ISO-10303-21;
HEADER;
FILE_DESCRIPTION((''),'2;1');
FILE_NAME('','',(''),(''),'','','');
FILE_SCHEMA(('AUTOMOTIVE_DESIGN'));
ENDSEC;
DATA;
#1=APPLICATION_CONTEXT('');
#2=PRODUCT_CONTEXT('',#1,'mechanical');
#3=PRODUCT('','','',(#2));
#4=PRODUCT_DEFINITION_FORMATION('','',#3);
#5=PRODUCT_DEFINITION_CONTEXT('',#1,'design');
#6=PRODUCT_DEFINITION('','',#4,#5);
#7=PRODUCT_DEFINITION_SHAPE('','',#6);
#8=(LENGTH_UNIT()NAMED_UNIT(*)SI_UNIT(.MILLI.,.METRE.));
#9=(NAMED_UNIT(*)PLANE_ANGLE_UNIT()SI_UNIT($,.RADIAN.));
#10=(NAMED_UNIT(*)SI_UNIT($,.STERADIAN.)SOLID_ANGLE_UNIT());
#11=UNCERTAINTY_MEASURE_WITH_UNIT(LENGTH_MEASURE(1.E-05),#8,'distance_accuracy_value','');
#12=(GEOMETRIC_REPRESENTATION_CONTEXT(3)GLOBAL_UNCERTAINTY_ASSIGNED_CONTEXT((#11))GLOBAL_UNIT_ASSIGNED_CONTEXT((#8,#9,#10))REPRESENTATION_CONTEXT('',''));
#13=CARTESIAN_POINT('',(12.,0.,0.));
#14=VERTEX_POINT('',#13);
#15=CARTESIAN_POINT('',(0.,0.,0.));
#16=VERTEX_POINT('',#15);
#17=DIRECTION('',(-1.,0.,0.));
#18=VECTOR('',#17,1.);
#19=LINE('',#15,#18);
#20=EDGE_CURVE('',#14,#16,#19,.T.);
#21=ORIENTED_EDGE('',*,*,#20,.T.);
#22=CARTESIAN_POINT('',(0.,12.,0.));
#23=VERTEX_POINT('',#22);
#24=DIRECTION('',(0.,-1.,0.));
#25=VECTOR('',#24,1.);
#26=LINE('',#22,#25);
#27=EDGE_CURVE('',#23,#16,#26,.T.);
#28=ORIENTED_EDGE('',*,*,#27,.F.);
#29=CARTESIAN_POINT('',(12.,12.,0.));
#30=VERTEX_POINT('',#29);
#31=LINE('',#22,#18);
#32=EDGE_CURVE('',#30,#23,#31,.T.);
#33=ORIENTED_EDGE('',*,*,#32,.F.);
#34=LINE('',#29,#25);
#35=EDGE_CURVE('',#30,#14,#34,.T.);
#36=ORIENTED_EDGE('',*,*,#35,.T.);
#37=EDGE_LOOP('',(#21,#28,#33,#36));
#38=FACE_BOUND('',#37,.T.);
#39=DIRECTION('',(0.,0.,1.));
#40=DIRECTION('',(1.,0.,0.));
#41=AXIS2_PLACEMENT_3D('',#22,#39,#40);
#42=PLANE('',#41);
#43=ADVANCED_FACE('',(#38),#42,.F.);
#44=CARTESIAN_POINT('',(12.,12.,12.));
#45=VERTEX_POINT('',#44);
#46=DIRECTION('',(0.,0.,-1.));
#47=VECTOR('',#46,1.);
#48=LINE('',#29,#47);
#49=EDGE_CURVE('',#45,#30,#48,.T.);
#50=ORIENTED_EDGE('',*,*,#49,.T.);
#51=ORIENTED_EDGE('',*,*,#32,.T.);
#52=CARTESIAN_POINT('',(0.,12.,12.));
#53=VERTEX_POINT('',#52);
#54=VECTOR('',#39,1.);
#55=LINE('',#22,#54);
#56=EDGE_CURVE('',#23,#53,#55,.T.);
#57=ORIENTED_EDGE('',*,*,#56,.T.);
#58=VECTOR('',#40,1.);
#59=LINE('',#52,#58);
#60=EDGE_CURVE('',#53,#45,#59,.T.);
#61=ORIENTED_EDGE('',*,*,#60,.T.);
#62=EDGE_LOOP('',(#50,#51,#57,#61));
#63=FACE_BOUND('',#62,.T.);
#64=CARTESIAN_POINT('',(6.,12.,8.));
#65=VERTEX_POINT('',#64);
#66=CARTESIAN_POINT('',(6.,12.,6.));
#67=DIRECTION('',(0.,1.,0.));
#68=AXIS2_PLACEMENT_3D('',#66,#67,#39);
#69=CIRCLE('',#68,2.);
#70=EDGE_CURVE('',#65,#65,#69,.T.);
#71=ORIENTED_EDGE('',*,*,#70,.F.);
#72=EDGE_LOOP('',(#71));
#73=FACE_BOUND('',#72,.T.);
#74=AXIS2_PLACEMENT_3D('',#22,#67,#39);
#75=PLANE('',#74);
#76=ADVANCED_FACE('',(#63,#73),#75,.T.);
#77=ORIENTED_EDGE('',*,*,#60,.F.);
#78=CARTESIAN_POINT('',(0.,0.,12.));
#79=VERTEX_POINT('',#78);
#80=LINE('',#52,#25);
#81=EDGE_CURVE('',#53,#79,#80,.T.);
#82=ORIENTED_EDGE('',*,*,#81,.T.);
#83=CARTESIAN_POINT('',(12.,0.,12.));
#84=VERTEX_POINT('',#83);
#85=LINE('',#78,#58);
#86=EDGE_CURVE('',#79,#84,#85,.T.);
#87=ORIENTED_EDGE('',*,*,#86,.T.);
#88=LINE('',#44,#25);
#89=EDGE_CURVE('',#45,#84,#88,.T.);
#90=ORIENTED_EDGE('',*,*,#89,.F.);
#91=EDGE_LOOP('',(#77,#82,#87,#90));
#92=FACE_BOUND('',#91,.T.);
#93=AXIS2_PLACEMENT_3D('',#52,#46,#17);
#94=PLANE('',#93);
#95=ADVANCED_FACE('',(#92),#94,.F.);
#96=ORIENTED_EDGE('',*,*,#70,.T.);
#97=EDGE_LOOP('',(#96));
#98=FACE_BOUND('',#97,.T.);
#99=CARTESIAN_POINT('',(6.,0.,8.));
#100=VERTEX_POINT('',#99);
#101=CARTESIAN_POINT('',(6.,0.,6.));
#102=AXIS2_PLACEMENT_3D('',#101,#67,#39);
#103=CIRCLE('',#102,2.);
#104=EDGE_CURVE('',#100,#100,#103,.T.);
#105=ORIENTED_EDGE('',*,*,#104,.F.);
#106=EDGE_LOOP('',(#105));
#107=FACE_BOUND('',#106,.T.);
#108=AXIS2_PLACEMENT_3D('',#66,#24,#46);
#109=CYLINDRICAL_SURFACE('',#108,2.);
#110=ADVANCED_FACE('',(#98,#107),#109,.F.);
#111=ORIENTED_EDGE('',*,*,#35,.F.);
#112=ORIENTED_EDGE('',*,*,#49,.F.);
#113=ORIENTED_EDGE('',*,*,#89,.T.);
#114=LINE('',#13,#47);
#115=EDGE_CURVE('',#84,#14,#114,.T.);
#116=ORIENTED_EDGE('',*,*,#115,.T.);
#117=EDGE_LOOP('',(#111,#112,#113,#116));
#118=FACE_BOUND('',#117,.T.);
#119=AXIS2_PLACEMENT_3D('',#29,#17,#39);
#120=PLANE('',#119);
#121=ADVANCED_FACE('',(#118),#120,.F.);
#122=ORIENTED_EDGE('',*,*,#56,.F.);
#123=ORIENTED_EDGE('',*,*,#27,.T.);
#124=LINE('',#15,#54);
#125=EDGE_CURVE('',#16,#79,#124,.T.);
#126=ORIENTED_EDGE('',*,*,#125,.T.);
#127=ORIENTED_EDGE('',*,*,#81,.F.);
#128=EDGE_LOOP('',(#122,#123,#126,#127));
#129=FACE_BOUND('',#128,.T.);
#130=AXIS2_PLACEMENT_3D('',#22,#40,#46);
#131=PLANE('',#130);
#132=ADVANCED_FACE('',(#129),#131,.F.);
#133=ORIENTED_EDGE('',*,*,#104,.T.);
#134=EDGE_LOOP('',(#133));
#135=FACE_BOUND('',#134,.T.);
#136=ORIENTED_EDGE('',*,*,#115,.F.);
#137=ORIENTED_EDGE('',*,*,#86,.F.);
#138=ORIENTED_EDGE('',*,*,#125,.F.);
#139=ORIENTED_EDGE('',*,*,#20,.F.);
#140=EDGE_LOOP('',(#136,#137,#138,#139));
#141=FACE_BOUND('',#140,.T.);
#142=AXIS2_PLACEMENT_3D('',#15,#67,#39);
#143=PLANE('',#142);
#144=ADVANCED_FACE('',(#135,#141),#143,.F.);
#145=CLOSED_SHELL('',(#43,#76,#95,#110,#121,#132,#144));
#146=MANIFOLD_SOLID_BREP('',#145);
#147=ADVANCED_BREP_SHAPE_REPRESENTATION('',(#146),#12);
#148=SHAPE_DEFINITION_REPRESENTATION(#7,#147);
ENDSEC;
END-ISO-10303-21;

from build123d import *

# Parameters (mm, degrees)
SKETCH1_W           = 12
SKETCH1_H           = 12
SKETCH1_R           = 2
BOSS_EXTRUDE1_DEPTH = 12


with BuildPart() as part:
    # Sketch1 → Boss-Extrude1 (new body)
    with BuildSketch(Plane(origin=(0, 0, 0), x_dir=(1, 0, 0), z_dir=(0, 1, 0))):
        with Locations((6, -6)):
            Rectangle(SKETCH1_W, SKETCH1_H)
        with Locations(Location((6, -6, 0), (0, 0, 270))):
            Circle(SKETCH1_R, mode=Mode.SUBTRACT)
    extrude(amount=BOSS_EXTRUDE1_DEPTH)


solid = part.part
